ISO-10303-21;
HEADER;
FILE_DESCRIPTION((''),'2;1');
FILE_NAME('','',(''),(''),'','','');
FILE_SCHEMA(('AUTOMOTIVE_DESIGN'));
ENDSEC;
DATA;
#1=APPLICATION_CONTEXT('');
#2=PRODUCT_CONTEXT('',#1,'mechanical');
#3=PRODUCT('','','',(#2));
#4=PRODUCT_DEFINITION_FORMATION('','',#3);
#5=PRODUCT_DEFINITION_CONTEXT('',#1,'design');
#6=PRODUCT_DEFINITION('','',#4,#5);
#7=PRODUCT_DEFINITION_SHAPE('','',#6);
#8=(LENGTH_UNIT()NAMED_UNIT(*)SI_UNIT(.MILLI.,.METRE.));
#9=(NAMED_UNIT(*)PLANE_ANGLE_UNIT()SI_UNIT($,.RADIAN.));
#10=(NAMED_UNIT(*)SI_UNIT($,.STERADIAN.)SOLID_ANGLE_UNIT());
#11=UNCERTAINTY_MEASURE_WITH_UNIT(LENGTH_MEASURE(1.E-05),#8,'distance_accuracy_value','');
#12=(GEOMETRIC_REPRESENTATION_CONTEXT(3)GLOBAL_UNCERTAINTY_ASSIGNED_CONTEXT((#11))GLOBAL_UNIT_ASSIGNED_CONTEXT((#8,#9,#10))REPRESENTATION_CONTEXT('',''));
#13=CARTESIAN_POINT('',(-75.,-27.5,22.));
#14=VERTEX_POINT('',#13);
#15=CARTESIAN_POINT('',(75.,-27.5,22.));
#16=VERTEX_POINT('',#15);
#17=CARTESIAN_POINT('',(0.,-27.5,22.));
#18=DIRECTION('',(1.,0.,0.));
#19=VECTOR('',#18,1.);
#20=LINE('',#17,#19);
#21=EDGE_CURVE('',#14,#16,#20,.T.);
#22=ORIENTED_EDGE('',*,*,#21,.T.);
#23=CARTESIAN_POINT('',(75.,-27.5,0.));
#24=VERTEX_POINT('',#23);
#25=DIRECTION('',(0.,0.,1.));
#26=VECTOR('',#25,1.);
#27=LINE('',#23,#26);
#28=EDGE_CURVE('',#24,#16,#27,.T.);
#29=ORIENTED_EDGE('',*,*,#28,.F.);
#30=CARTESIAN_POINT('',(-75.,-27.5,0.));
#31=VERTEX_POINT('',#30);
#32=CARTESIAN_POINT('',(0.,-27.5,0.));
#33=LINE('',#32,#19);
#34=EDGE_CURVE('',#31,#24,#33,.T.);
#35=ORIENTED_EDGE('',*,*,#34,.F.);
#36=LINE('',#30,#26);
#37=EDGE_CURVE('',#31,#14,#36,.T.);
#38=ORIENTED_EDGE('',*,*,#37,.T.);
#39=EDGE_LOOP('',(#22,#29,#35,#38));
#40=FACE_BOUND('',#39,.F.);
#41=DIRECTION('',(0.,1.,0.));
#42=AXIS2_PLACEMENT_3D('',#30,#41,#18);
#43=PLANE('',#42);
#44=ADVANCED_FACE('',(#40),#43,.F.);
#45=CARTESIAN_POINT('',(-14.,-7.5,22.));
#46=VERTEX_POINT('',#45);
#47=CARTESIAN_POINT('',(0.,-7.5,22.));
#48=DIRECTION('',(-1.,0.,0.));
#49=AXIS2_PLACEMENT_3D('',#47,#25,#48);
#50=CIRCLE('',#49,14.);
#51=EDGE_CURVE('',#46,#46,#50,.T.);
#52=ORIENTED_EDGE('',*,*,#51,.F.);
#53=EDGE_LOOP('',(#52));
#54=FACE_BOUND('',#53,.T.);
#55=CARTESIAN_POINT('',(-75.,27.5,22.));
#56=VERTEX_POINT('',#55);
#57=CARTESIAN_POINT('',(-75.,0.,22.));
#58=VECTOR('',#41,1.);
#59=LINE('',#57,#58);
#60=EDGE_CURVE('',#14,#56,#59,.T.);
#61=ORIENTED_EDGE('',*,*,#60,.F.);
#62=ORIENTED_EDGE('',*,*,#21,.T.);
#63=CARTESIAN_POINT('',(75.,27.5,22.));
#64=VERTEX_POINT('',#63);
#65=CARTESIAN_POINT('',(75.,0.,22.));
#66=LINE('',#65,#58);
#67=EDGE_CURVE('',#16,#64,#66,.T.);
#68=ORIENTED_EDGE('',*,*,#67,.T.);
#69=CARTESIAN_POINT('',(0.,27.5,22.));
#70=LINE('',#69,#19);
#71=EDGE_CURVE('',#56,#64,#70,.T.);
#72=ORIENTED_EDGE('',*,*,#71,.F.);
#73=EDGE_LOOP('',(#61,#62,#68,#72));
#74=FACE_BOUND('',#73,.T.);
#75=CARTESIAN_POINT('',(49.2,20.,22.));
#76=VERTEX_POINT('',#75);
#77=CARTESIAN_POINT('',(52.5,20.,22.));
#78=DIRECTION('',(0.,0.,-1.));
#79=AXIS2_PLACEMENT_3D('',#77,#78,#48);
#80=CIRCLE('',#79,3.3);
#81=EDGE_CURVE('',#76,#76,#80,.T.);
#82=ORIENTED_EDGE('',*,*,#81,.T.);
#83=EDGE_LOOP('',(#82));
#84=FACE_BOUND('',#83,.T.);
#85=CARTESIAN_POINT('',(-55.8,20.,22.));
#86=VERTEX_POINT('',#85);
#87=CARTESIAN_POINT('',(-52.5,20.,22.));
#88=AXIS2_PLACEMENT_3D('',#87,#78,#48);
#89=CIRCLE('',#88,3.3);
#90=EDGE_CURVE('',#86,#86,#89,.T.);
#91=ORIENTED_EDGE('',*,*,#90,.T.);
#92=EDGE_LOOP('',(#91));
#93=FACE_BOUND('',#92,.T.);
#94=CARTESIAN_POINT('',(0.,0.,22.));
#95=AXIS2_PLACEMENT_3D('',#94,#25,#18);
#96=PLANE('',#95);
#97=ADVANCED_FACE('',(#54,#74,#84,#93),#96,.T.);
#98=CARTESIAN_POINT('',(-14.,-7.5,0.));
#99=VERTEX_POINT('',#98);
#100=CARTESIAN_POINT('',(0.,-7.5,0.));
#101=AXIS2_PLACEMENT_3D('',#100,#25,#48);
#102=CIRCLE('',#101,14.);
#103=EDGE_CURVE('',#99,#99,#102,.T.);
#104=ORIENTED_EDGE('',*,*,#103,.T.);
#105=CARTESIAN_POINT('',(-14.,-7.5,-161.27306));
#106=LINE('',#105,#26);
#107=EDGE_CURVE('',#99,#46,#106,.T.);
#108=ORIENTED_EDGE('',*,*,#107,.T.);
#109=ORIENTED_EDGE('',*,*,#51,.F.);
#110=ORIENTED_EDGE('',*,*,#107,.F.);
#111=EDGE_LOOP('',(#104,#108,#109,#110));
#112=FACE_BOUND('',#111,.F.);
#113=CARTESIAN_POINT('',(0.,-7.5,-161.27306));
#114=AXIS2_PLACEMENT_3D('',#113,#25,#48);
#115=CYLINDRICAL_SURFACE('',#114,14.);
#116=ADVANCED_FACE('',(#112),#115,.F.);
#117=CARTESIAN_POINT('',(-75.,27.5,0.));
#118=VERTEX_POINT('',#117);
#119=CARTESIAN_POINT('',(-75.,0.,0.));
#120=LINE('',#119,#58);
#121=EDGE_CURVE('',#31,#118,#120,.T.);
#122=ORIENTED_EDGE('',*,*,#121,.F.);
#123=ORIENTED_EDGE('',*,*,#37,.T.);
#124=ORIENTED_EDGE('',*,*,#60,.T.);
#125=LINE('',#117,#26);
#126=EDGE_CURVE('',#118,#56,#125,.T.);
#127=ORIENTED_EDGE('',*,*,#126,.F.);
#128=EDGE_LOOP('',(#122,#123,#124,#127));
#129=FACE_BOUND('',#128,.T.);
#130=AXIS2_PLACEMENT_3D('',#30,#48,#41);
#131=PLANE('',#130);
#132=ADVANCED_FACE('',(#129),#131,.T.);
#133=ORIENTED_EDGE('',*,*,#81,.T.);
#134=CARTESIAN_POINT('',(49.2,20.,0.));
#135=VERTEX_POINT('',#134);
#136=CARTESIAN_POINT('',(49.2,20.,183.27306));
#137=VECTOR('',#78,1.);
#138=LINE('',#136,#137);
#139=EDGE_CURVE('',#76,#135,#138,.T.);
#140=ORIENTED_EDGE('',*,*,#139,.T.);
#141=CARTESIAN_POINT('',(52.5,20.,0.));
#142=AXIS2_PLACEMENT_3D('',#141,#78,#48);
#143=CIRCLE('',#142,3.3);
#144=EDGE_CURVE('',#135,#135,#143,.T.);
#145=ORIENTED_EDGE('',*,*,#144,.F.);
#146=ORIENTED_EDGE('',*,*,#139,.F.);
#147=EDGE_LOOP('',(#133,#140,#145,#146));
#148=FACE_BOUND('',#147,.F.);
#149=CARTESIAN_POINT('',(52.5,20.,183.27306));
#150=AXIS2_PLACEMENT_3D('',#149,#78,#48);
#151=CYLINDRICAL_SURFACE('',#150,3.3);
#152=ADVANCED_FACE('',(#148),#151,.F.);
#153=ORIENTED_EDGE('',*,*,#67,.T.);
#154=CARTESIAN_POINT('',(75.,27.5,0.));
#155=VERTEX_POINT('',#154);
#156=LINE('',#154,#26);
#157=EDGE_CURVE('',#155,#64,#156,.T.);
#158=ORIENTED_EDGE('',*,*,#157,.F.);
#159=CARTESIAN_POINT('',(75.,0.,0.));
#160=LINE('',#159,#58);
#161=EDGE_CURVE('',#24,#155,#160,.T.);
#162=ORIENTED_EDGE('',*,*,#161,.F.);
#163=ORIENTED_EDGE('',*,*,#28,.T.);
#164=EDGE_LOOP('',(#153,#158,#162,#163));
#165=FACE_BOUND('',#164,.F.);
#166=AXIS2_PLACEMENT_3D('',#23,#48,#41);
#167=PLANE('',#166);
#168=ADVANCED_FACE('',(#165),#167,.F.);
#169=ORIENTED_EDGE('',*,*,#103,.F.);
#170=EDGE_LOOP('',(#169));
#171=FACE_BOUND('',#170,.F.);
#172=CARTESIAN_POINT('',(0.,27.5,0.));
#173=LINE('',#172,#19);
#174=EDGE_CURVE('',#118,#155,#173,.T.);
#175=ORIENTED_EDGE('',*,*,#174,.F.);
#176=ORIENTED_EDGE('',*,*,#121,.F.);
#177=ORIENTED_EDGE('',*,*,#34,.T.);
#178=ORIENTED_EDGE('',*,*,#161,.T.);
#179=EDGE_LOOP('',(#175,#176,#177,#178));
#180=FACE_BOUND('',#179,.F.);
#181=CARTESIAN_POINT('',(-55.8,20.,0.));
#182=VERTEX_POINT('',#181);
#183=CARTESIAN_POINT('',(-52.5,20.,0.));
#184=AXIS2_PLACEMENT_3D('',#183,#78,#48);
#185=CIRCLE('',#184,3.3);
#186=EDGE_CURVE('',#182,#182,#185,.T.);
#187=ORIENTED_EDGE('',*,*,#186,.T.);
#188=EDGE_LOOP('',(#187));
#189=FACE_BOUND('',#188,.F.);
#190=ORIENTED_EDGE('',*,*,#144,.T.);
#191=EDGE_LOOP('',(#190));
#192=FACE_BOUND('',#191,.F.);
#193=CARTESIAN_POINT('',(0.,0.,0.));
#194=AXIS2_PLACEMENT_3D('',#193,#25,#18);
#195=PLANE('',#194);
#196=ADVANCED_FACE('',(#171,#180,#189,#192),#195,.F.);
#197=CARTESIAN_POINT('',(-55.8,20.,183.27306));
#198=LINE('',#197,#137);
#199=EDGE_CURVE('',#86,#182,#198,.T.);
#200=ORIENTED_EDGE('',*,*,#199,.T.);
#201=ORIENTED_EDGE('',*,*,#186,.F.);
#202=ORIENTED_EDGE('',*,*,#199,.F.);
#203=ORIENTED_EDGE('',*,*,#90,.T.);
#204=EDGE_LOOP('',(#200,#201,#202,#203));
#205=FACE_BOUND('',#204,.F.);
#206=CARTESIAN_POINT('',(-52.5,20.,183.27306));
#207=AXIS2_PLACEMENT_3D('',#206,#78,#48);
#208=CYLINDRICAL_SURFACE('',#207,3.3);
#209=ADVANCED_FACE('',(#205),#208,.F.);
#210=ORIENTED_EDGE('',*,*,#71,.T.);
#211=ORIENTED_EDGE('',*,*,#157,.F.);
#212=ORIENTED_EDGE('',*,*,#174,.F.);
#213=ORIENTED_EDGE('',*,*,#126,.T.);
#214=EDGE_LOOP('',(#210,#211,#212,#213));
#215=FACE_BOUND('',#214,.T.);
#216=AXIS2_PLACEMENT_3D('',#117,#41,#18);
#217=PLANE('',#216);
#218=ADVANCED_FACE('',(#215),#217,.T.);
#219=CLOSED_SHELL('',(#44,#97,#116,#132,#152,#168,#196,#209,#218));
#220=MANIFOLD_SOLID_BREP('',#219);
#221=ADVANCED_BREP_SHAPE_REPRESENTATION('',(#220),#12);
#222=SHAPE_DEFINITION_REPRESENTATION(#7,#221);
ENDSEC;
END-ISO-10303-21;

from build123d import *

# Parameters (mm, degrees)
F0_W     = 150
F0_H     = 55
F1_DEPTH = 22
F3_D     = 6.6
F4_D     = 28


with BuildPart() as f1:
    # F0 (on Top) → F1 (new body)
    with BuildSketch(Plane.XY):
        Rectangle(F0_W, F0_H)
    extrude(amount=F1_DEPTH)

    # F3 (through all)
    with Locations(Plane.XY.offset(22)):
        with Locations((-52.5, 20), (52.5, 20)):
            Hole(F3_D / 2)

    # F4 (through all)
    with Locations(Plane(origin=(0, 0, 0), x_dir=(1, 0, 0), z_dir=(0, 0, -1))):
        with Locations((0, 7.5)):
            Hole(F4_D / 2)


solid = f1.part
